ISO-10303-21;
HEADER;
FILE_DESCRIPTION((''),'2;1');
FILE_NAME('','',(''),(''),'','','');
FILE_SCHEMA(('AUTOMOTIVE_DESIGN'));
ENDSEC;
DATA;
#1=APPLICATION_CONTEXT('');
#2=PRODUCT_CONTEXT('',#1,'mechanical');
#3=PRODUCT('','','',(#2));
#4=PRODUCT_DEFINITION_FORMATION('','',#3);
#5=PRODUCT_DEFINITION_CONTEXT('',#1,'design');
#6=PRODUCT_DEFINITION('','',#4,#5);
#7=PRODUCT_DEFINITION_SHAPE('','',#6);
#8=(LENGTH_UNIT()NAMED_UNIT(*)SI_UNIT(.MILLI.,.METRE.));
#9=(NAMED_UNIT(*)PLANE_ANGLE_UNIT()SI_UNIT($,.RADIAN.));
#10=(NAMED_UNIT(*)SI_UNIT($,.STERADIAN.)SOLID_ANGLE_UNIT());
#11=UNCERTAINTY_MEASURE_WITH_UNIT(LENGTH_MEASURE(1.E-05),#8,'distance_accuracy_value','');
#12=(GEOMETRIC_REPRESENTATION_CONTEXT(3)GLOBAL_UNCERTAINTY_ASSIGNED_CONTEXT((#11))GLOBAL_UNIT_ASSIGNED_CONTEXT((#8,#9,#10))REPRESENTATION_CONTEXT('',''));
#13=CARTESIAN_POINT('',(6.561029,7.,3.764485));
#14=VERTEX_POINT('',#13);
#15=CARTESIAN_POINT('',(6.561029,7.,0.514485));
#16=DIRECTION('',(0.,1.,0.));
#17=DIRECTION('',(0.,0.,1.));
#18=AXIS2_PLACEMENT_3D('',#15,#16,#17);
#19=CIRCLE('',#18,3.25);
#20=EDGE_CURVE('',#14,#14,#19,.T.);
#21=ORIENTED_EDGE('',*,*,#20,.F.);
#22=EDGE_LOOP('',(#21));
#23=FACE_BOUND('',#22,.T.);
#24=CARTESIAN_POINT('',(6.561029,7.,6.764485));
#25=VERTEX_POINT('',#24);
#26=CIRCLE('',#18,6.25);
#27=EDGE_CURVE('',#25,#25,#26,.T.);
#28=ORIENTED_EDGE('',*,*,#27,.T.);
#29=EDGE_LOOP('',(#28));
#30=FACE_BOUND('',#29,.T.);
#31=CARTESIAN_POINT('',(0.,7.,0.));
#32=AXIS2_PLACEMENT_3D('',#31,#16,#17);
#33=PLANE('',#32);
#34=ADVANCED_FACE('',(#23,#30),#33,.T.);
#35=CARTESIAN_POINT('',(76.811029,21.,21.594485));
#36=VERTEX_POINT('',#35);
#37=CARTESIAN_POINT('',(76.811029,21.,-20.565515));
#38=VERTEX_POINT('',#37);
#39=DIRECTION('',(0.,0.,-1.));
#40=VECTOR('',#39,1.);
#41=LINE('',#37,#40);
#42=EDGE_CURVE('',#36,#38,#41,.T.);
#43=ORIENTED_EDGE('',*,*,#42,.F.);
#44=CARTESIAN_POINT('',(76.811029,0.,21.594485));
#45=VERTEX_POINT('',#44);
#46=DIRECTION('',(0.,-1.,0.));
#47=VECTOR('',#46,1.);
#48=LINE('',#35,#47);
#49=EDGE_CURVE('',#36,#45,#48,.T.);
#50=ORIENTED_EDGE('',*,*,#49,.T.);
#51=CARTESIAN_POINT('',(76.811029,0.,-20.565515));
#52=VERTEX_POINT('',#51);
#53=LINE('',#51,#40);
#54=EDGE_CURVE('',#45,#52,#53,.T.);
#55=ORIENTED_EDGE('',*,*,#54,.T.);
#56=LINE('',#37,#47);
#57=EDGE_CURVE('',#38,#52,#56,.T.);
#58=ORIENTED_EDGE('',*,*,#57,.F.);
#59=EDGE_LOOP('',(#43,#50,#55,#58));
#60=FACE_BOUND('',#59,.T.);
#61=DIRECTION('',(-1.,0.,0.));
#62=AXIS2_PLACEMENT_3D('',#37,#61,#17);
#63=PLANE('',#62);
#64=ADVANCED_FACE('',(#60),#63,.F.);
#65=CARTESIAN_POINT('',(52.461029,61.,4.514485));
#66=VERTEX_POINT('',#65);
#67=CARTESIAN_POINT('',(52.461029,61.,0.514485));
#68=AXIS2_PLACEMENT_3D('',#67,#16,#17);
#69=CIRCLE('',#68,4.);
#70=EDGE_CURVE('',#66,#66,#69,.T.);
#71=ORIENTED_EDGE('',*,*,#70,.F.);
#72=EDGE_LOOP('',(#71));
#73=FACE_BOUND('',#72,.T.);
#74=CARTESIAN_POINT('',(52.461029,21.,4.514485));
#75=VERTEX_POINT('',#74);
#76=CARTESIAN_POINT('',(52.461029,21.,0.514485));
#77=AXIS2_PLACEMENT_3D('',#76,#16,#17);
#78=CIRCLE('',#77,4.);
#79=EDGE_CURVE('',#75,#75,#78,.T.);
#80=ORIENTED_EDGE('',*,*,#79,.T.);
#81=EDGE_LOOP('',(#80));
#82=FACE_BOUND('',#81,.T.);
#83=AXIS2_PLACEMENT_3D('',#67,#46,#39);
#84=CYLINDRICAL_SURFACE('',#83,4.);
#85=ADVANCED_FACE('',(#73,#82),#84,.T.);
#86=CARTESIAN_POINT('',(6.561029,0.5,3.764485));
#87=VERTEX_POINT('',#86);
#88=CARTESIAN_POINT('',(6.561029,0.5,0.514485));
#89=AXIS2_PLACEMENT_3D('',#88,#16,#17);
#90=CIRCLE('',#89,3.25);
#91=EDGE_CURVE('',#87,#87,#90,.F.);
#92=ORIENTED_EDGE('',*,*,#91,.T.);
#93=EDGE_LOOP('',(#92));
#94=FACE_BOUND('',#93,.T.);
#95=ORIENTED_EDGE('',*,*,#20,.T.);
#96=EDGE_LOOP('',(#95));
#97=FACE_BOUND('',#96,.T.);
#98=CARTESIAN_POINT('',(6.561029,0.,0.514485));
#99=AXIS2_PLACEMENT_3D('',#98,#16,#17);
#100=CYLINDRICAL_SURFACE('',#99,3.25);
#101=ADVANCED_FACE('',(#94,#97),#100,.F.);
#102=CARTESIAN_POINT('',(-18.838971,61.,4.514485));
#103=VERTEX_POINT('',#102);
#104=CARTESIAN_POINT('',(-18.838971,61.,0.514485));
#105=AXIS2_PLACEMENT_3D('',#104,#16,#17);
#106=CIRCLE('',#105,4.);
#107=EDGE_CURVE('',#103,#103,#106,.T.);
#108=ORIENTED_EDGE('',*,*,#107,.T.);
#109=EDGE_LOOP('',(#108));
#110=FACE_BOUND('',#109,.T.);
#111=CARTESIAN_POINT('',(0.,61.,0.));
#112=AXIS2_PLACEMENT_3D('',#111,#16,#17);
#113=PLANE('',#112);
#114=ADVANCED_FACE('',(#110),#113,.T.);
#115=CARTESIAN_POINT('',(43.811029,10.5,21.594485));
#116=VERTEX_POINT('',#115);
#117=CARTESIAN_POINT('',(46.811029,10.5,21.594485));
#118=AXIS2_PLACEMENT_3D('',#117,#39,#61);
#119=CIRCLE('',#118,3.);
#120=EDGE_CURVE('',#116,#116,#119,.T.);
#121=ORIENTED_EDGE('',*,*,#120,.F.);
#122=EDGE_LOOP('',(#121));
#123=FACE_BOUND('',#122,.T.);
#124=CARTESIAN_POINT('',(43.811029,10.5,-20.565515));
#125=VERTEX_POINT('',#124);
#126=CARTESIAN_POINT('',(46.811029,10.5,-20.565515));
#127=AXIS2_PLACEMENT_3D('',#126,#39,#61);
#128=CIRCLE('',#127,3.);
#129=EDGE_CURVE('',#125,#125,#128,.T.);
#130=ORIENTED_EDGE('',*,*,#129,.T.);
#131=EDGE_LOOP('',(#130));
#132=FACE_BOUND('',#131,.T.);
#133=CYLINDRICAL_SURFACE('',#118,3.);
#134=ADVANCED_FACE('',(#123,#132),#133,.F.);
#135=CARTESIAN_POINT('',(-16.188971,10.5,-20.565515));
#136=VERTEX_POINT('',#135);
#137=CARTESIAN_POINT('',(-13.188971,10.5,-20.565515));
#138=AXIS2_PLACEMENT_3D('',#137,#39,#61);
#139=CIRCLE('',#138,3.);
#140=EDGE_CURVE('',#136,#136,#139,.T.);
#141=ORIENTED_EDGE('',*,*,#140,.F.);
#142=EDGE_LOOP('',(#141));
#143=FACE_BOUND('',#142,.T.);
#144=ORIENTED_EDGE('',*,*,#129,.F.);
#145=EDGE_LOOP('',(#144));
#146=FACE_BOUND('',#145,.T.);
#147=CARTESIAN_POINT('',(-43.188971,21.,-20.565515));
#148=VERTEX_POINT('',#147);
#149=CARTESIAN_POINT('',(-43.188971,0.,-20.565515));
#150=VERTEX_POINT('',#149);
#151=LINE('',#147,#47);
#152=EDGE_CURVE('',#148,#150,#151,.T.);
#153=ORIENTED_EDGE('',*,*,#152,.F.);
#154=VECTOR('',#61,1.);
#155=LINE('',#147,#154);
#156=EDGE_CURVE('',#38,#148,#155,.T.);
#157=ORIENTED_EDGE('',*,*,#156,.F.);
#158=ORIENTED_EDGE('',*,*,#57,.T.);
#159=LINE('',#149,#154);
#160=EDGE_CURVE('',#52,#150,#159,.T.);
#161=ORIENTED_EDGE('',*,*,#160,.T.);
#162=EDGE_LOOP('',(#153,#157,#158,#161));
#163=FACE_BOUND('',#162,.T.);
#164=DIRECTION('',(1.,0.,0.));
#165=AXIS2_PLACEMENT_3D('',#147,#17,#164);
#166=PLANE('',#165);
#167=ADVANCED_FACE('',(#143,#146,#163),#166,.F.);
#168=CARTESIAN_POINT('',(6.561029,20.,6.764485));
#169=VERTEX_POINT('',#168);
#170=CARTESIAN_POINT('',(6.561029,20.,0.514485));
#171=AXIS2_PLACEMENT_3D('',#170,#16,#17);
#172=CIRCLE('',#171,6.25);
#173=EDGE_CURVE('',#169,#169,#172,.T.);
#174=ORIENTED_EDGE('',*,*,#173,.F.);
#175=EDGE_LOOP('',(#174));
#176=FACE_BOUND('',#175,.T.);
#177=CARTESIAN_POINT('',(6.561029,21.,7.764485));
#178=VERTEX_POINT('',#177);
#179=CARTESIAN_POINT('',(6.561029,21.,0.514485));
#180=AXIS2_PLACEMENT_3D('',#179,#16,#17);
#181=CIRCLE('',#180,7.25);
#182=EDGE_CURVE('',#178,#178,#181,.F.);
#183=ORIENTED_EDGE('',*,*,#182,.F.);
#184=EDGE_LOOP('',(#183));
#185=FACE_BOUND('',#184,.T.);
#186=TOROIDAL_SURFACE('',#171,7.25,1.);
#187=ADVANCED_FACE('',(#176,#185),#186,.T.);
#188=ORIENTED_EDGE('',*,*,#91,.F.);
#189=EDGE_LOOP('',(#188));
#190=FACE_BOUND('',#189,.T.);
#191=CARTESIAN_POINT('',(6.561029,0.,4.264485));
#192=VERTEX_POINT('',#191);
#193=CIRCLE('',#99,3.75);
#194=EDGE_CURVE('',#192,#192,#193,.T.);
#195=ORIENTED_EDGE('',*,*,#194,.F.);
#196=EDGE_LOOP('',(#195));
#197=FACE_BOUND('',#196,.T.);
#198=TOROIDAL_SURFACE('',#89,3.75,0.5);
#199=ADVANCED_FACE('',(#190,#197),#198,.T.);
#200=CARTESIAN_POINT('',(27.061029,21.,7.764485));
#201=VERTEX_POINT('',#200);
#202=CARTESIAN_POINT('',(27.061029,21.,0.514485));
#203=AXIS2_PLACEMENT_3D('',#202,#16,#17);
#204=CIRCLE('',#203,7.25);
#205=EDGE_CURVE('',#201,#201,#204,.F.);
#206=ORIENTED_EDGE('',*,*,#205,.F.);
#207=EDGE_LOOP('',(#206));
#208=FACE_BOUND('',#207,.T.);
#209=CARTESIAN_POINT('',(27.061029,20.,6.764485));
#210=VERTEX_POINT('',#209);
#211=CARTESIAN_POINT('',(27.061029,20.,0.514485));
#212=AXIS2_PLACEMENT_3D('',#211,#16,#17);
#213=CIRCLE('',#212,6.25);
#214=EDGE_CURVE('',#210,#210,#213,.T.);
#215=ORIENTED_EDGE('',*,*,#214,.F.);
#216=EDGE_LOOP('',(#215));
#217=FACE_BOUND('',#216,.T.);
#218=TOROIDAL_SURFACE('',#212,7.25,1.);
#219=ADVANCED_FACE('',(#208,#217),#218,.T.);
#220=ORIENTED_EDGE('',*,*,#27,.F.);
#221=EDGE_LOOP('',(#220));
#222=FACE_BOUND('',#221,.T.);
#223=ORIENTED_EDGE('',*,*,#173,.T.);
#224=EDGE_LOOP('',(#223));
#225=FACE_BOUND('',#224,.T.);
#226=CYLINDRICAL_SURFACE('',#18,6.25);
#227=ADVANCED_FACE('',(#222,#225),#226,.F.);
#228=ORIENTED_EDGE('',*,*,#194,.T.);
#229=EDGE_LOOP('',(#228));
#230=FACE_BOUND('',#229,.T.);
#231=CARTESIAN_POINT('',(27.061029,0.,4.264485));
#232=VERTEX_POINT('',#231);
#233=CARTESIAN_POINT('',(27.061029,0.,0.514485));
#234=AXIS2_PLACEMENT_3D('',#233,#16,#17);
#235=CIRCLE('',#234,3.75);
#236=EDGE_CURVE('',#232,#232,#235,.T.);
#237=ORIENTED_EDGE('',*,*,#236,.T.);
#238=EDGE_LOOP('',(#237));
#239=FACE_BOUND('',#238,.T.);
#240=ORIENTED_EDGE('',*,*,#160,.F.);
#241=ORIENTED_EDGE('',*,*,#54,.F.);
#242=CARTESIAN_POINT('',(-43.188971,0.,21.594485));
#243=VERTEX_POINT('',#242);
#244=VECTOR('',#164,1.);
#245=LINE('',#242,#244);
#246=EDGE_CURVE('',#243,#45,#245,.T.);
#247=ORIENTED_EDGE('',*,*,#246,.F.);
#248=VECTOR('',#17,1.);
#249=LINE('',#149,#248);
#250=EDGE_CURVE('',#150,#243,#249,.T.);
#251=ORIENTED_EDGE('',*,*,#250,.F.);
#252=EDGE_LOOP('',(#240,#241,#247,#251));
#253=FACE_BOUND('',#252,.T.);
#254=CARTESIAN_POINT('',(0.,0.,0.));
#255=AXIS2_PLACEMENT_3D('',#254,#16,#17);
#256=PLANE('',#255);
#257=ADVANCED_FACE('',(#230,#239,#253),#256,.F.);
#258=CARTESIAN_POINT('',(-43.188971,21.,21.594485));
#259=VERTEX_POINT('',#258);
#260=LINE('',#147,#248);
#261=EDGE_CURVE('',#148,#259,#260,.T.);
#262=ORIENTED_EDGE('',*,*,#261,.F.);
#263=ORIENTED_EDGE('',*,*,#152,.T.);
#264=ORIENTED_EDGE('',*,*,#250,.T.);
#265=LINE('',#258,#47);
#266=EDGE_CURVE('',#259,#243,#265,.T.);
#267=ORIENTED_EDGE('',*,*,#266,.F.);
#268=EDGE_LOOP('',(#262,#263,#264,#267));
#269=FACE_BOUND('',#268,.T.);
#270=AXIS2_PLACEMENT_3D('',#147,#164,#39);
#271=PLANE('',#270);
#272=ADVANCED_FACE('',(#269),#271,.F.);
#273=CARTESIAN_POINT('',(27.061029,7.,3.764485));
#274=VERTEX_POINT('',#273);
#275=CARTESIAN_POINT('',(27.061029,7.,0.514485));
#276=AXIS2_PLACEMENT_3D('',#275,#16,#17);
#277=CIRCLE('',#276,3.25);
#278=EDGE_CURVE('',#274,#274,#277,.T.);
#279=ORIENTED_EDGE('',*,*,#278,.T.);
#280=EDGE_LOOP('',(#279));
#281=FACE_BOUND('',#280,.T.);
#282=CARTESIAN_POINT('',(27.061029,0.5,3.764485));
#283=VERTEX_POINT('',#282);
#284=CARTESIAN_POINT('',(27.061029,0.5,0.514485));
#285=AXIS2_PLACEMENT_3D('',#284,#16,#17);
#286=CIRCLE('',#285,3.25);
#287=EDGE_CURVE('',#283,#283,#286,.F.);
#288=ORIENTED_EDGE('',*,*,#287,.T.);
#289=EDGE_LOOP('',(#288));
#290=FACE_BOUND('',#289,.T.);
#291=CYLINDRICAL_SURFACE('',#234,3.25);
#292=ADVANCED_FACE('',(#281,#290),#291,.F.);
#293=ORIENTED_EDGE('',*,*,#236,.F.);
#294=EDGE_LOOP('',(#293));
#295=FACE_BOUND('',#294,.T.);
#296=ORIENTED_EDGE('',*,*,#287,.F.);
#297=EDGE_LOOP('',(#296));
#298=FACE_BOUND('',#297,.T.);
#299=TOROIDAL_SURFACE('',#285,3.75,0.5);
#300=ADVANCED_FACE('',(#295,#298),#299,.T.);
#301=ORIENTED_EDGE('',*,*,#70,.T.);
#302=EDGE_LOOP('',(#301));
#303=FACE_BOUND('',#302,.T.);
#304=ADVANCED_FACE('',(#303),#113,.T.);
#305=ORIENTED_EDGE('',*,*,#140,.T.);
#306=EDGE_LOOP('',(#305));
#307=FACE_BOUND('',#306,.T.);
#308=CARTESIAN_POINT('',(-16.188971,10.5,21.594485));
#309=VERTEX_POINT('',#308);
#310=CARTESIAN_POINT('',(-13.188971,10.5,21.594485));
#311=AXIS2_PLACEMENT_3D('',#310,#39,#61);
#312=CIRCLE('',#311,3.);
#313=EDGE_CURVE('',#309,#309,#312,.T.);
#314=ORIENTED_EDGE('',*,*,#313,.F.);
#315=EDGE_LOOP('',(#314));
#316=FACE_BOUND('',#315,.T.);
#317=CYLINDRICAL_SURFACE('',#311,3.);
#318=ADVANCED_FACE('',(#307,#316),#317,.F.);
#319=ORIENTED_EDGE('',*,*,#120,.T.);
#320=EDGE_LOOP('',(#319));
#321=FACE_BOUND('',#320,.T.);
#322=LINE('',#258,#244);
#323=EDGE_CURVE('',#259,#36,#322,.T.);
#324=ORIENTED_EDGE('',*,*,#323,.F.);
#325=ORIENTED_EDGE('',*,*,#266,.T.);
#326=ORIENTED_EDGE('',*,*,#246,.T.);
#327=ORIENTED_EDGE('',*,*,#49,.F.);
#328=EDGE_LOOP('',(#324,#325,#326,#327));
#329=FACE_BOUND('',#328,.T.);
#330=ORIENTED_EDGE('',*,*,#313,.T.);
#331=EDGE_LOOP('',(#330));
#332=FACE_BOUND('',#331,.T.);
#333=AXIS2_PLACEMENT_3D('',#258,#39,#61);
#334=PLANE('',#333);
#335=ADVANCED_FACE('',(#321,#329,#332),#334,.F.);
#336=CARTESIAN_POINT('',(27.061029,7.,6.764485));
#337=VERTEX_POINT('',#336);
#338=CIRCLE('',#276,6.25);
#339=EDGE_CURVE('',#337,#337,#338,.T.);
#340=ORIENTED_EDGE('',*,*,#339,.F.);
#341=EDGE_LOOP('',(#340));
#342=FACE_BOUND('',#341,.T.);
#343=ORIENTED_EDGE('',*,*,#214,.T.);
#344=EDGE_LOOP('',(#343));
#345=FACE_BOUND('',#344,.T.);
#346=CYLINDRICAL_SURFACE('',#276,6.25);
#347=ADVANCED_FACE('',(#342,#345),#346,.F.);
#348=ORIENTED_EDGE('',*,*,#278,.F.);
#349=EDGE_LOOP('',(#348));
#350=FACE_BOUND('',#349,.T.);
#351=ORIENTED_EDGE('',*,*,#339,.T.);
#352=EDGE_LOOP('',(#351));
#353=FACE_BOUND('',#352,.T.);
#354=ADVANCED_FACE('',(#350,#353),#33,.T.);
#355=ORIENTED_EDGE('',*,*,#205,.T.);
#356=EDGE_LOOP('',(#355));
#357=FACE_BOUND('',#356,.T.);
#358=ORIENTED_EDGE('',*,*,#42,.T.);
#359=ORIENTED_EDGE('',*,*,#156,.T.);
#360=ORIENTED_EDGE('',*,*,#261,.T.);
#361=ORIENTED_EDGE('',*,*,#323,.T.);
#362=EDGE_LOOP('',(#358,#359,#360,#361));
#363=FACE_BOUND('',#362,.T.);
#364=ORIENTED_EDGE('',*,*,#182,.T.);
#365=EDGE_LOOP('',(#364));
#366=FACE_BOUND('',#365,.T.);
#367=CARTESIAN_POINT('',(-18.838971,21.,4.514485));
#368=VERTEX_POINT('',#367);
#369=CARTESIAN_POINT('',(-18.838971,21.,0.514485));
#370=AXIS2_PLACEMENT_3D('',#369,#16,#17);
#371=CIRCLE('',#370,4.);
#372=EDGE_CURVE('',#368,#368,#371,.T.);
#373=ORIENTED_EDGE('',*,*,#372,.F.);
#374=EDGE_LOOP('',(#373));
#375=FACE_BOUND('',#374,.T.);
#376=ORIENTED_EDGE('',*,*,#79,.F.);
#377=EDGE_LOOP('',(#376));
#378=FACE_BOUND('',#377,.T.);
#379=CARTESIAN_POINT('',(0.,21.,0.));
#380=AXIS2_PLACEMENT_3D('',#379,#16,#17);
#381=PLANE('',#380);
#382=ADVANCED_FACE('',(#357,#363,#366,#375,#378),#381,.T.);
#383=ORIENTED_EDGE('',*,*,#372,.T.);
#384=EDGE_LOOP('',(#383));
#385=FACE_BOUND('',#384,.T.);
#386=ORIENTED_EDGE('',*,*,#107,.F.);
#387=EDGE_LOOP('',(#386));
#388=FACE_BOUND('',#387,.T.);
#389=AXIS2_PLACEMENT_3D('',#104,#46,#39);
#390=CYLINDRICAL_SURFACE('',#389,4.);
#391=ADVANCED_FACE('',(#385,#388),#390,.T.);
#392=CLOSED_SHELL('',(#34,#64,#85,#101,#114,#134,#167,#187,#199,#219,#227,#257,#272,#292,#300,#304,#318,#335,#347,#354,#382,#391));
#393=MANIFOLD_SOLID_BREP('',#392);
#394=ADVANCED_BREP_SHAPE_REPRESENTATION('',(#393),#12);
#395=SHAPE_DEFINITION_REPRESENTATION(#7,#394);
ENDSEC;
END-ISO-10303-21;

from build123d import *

# Parameters (mm, degrees)
SKETCH1_W           = 120
SKETCH1_H           = 42.16
BOSS_EXTRUDE1_DEPTH = 21
SKETCH2_R           = 6.25
CUT_EXTRUDE1_DEPTH  = 14
SKETCH3_R           = 3.25
CUT_EXTRUDE2_DEPTH  = 82.007752785
FILLET1_R           = 1
FILLET2_R           = 0.5
SKETCH4_R           = 4
BOSS_EXTRUDE2_DEPTH = 40
SKETCH19_R          = 3
CUT_EXTRUDE3_DEPTH  = 107.763288693


with BuildPart() as part:
    # Sketch1 → Boss-Extrude1 (new body)
    with BuildSketch(Plane(origin=(0, 0, 0), x_dir=(1, 0, 0), z_dir=(0, 1, 0))):
        with Locations((16.811029237, -0.514485382)):
            Rectangle(SKETCH1_W, SKETCH1_H)
    extrude(amount=BOSS_EXTRUDE1_DEPTH)

    # Sketch2 → Cut-Extrude1 (cut)
    with BuildSketch(Plane(origin=(0, 21, 0), x_dir=(1, 0, 0), z_dir=(0, 1, 0))):
        with Locations((27.061029237, -0.514485382)):
            Circle(SKETCH2_R)
        with Locations((6.561029237, -0.514485382)):
            Circle(SKETCH2_R)
    extrude(amount=-CUT_EXTRUDE1_DEPTH, mode=Mode.SUBTRACT)

    # Sketch3 → Cut-Extrude2 (cut, through all)
    with BuildSketch(Plane(origin=(0, 7, 0), x_dir=(1, 0, 0), z_dir=(0, 1, 0))):
        with Locations((27.061029237, -0.514485382)):
            Circle(SKETCH3_R)
        with Locations((6.561029237, -0.514485382)):
            Circle(SKETCH3_R)
    extrude(amount=-CUT_EXTRUDE2_DEPTH, mode=Mode.SUBTRACT)

    # Fillet1
    fillet1_edges = [part.edges().sort_by_distance(p)[0] for p in [
        (0.311029237, 21, 0.514485382),
        (20.811029237, 21, 0.514485382),
    ]]
    fillet(fillet1_edges, radius=FILLET1_R)

    # Fillet2
    fillet2_edges = [part.edges().sort_by_distance(p)[0] for p in [
        (3.311029237, 0, 0.514485382),
        (23.811029237, 0, 0.514485382),
    ]]
    fillet(fillet2_edges, radius=FILLET2_R)

    # Sketch4 → Boss-Extrude2 (add)
    with BuildSketch(Plane(origin=(0, 21, 0), x_dir=(1, 0, 0), z_dir=(0, 1, 0))):
        with Locations((52.461029237, -0.514485382)):
            Circle(SKETCH4_R)
        with Locations((-18.838970763, -0.514485382)):
            Circle(SKETCH4_R)
    extrude(amount=BOSS_EXTRUDE2_DEPTH)

    # Sketch19 → Cut-Extrude3 (cut, through all)
    with BuildSketch(Plane(origin=(0, 0, -20.565514618), x_dir=(-1, 0, 0), z_dir=(0, 0, -1))):
        with Locations((13.188970763, 10.5)):
            Circle(SKETCH19_R)
        with Locations((-46.811029237, 10.5)):
            Circle(SKETCH19_R)
    extrude(amount=-CUT_EXTRUDE3_DEPTH, mode=Mode.SUBTRACT)


solid = part.part
